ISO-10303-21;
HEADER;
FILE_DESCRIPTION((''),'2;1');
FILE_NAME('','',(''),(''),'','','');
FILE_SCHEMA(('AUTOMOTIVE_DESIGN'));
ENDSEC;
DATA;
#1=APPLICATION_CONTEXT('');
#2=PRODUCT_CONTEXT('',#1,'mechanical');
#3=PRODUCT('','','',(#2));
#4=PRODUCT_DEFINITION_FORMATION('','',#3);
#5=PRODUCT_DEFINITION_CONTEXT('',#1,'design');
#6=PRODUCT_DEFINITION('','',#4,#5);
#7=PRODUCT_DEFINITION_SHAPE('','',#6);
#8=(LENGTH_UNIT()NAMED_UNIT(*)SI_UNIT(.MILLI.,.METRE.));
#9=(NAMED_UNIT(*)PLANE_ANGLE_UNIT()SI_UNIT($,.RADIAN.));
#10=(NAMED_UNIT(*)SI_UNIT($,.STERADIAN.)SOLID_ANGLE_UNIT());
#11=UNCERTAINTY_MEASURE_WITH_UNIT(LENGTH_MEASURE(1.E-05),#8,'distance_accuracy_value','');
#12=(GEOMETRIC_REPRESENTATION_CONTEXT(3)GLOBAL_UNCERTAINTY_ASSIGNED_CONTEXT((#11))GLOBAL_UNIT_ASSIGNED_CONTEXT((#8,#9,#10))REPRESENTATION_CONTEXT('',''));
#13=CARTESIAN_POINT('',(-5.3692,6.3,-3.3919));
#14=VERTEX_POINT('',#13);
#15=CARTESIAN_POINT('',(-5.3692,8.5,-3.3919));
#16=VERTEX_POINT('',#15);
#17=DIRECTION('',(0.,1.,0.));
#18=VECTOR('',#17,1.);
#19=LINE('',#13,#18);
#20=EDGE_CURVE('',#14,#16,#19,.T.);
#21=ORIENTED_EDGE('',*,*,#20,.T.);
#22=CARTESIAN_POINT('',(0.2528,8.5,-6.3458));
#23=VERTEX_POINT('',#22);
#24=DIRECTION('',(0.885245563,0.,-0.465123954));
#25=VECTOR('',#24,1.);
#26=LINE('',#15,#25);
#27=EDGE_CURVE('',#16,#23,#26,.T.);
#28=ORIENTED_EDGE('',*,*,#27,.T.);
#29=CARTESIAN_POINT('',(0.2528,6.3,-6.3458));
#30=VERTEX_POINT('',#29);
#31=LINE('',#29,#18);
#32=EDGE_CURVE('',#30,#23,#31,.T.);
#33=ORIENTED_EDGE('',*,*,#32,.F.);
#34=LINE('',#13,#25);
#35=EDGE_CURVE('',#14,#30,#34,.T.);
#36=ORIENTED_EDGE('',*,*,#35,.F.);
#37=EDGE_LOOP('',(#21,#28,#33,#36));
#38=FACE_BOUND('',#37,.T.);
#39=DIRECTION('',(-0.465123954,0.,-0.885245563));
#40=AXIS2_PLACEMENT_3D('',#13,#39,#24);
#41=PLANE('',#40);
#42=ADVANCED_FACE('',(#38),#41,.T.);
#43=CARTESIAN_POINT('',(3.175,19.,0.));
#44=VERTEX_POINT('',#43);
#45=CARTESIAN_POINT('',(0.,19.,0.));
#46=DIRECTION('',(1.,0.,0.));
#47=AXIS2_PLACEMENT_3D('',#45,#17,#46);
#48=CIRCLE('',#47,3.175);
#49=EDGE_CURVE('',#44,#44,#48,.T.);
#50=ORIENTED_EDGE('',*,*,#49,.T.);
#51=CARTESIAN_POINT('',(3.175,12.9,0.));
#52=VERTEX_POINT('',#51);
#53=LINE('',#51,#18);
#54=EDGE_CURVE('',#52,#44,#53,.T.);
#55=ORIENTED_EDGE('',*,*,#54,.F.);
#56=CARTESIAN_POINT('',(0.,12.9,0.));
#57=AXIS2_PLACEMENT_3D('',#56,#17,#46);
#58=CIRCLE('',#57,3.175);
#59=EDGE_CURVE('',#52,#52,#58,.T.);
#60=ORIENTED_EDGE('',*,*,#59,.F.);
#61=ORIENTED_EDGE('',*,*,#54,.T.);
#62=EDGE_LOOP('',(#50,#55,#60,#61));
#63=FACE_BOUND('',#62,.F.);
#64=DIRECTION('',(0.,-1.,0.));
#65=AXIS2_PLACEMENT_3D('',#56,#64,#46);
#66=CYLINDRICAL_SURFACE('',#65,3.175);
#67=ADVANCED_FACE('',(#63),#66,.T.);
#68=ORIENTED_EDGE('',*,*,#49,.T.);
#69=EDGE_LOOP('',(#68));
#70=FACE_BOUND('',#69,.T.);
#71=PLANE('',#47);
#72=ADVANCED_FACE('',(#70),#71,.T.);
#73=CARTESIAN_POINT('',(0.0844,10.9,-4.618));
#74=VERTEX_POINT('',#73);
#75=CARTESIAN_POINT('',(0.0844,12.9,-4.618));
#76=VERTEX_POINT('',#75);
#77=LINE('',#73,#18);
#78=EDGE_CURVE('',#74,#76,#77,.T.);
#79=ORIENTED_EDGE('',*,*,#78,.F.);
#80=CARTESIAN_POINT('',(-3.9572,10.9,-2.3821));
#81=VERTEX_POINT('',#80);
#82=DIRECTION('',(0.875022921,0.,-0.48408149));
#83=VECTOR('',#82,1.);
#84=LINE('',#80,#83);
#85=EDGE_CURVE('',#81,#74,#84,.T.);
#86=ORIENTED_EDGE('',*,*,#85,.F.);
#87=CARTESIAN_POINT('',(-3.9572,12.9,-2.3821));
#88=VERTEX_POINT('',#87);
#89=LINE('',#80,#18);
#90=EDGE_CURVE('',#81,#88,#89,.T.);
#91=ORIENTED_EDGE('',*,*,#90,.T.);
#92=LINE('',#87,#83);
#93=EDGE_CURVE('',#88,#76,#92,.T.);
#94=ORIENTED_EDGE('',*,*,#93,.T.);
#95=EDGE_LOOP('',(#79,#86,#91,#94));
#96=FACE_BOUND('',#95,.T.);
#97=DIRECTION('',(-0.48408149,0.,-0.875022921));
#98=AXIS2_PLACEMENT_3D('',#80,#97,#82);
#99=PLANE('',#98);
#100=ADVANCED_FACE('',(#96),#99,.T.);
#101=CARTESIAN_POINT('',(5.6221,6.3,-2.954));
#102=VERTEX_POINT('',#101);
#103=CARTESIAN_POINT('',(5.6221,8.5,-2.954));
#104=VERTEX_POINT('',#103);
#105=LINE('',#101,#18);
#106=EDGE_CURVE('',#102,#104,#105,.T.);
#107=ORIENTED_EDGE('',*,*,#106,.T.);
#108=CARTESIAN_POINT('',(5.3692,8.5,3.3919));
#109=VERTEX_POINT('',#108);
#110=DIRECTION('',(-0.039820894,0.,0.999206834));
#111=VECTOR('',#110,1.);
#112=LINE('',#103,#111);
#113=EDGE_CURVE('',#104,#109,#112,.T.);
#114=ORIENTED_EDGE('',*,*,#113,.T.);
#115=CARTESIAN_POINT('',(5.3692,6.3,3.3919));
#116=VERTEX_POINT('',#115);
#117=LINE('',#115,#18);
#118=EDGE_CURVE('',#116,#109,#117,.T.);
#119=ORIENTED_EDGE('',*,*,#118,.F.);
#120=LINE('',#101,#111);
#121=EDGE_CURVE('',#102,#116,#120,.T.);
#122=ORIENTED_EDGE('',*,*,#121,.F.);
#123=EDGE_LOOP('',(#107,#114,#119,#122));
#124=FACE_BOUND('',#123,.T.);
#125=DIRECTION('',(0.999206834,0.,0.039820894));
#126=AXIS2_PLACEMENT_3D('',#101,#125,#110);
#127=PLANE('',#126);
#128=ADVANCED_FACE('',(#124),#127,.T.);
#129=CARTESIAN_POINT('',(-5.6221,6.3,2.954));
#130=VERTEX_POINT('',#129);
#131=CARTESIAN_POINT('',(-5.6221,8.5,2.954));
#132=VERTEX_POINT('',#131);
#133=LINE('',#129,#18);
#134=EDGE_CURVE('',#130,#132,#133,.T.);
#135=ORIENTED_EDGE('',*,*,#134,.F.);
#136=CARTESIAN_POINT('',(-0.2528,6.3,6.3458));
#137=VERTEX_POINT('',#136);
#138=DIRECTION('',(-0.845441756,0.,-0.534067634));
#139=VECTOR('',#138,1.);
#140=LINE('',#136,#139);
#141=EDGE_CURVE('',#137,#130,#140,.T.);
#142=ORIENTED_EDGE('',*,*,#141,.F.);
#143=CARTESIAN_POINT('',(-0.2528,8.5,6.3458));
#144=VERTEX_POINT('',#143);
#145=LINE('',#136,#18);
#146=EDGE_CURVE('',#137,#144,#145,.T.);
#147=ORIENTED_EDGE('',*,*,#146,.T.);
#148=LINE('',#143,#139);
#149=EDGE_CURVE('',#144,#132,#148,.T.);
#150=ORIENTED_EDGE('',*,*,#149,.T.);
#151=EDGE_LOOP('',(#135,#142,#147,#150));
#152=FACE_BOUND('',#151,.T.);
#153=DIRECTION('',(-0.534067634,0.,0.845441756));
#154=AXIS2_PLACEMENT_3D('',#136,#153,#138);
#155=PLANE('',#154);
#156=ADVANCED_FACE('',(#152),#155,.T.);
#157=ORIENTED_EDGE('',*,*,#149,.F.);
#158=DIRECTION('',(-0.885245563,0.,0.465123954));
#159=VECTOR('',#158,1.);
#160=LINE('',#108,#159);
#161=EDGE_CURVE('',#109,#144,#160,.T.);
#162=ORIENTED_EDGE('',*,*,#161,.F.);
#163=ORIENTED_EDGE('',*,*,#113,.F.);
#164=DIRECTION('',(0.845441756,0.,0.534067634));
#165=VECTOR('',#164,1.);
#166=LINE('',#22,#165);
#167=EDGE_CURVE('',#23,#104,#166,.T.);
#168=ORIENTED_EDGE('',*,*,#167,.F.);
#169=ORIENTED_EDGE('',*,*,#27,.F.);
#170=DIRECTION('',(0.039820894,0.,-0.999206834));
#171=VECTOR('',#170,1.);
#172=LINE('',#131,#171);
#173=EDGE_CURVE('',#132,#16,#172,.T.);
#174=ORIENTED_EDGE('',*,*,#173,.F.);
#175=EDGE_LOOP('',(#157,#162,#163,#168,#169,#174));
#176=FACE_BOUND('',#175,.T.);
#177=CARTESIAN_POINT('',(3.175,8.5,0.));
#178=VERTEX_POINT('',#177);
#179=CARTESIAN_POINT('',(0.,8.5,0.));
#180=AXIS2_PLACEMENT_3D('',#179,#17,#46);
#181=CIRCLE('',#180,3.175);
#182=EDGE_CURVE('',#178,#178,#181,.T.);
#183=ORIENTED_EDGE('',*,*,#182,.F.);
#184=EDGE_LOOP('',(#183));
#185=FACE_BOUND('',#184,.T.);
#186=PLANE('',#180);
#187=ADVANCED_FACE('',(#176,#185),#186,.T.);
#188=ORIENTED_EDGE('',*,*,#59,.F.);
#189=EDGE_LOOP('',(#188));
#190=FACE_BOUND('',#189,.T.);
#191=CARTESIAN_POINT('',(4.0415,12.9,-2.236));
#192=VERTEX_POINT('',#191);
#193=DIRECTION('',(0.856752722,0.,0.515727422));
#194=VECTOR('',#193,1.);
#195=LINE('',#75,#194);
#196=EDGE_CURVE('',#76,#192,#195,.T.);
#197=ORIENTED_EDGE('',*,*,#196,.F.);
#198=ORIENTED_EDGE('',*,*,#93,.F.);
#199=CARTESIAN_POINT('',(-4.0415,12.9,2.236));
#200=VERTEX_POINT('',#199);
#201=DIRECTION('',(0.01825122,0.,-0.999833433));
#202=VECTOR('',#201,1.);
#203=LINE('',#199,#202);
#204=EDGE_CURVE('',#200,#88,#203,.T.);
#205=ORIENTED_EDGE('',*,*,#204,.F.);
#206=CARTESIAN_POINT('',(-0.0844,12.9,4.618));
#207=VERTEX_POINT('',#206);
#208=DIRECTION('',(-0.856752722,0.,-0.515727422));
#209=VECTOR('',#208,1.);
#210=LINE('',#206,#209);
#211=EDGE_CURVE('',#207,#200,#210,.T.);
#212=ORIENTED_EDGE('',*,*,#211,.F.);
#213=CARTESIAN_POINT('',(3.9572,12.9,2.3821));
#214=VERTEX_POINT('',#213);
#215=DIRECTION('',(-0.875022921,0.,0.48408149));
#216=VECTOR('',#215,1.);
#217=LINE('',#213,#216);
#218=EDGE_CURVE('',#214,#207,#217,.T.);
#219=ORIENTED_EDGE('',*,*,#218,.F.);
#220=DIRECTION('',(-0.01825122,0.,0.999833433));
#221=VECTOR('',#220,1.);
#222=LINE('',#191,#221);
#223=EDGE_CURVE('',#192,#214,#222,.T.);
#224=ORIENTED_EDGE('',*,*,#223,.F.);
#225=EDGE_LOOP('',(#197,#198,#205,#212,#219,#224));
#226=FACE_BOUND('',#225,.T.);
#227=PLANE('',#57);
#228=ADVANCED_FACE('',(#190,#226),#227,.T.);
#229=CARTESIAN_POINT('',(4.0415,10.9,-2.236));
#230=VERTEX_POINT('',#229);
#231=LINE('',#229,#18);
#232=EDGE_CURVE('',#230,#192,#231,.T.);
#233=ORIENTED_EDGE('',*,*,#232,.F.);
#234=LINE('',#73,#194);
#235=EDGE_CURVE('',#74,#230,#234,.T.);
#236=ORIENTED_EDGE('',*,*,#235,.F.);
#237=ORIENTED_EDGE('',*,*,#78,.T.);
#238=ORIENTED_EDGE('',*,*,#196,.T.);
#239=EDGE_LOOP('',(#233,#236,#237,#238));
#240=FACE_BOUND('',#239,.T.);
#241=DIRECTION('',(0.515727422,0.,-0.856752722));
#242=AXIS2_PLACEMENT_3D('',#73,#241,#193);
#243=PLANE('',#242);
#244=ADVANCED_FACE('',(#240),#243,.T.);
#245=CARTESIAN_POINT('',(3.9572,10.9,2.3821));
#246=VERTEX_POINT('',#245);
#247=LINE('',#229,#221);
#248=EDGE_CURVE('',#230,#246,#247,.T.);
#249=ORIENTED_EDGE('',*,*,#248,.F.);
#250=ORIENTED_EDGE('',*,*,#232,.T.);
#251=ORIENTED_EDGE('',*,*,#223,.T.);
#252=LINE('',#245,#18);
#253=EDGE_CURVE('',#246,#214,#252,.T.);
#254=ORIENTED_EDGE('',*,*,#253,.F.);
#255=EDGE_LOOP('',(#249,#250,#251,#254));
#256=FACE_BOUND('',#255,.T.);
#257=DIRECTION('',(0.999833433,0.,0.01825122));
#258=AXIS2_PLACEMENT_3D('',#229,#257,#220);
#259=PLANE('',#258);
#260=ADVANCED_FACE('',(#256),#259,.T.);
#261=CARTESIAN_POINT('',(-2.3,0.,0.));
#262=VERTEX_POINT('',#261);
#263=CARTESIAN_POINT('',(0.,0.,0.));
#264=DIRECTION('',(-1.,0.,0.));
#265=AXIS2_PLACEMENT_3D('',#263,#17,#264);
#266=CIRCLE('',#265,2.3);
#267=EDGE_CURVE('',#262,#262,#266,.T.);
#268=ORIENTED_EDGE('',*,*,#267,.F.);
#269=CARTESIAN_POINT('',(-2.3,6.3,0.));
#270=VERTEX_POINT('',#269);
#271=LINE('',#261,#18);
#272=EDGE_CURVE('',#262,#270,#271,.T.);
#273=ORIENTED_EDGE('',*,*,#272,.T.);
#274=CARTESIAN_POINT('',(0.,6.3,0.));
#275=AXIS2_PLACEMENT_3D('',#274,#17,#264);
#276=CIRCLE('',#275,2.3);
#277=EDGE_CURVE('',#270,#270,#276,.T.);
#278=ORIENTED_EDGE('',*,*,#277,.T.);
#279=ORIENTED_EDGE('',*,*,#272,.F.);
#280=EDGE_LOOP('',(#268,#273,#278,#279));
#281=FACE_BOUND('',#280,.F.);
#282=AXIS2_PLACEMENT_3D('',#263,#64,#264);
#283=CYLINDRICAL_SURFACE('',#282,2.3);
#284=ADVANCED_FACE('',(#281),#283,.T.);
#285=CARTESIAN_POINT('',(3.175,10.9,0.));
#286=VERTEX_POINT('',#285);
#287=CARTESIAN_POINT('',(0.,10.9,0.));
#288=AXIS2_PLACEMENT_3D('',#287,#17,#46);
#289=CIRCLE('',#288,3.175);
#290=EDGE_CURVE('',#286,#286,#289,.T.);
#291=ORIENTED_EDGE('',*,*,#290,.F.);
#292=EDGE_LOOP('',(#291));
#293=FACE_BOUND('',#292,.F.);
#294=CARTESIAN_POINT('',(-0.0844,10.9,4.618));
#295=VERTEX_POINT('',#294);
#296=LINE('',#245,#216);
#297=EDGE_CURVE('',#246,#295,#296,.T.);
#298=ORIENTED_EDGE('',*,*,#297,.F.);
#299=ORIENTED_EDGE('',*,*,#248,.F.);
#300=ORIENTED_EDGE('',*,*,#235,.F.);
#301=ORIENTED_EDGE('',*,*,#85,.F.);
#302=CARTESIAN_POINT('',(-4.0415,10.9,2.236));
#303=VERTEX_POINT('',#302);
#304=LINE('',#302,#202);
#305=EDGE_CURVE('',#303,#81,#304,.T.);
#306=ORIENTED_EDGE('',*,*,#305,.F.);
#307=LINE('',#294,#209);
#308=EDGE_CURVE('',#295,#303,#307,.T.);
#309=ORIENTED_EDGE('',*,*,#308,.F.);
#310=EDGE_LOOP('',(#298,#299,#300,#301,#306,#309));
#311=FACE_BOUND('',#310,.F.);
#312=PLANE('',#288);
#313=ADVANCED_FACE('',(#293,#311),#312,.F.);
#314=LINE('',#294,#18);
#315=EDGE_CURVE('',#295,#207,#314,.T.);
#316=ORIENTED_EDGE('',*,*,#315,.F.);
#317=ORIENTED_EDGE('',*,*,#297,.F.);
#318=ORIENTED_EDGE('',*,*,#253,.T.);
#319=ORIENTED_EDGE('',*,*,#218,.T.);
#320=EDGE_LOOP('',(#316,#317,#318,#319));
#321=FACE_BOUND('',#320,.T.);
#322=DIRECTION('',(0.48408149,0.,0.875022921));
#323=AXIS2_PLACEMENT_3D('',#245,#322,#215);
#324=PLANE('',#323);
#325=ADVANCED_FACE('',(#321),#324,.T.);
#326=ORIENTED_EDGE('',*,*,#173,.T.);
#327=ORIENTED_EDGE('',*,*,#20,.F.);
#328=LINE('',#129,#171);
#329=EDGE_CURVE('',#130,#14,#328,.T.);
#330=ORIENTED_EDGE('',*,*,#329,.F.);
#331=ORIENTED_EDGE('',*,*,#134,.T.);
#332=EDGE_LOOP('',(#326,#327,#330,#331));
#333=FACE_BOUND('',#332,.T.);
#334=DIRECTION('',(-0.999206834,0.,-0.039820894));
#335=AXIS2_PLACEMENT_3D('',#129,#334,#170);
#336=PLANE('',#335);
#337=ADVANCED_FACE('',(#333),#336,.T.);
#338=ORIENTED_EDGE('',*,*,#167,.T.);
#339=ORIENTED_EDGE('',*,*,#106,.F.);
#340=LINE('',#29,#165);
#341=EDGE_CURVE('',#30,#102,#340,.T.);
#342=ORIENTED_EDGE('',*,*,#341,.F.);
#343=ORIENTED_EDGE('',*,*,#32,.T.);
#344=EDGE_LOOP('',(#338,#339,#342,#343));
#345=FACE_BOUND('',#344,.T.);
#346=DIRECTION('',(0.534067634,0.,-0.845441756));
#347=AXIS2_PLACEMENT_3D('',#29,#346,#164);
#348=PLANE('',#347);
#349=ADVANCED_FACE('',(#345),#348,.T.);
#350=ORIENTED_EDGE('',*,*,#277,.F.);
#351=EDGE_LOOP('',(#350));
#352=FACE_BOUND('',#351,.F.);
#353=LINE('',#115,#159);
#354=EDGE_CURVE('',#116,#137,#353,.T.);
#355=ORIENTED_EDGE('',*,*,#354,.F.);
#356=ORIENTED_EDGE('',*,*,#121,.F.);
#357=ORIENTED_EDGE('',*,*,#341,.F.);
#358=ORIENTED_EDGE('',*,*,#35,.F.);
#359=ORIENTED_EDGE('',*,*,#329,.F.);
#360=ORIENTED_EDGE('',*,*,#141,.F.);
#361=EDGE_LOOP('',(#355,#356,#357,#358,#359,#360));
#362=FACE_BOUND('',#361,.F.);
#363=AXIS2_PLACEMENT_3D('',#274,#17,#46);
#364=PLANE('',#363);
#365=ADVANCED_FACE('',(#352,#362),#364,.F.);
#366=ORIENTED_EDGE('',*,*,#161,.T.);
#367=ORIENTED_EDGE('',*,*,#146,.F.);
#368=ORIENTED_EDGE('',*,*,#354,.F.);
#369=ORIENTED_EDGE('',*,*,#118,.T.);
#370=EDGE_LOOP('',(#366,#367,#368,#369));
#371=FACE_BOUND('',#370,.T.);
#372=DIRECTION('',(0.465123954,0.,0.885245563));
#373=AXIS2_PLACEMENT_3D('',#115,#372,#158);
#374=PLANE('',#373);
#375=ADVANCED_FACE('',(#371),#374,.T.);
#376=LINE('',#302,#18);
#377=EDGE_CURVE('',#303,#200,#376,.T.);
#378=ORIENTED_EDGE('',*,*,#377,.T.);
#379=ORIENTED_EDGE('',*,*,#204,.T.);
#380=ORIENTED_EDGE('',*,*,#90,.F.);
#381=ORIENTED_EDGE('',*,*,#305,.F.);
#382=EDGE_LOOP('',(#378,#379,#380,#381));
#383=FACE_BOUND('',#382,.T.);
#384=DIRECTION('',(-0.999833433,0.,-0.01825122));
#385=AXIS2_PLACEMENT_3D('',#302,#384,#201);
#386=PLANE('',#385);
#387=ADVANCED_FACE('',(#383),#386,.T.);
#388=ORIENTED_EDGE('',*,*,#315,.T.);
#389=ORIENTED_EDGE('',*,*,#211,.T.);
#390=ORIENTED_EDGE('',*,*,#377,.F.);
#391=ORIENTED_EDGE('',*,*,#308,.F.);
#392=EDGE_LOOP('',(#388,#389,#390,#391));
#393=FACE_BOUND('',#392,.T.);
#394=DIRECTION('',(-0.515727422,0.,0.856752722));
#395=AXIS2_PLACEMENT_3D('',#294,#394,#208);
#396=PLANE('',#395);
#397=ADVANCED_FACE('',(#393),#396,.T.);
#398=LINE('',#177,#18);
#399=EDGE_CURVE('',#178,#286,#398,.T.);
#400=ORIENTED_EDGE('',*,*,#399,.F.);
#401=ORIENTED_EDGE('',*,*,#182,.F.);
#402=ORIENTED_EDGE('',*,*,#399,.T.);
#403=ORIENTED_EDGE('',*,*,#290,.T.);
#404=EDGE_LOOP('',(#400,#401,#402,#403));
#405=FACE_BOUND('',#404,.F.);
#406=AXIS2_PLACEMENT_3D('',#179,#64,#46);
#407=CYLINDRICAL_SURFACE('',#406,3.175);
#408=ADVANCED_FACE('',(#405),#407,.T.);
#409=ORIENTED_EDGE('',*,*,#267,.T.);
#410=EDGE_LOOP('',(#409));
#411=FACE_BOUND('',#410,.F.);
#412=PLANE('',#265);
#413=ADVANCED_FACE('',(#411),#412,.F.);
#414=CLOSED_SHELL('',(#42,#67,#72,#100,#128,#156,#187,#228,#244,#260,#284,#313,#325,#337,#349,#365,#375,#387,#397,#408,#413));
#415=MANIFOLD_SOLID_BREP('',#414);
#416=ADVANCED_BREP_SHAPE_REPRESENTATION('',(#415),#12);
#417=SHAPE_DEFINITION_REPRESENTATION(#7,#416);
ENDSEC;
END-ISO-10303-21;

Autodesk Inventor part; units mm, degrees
ref_plane "YZ Plane" through (0, 0, 0) normal (1, 0, 0) x (0, 1, 0)
ref_plane "XZ Plane" through (0, 0, 0) normal (0, 1, 0) x (-1, 0, 0)
ref_plane "XY Plane" through (0, 0, 0) normal (0, 0, 1) x (1, 0, 0)
sketch "Sketch1" plane through (0, 0, 0) normal (0, 1, 0) x (-1, 0, 0)
  circle A0 centre (0, 0) radius 2.3
  dimension "d0" = 4.6
extrude "Extrusion1" add sketch "Sketch1" along normal blind 6.3
sketch "Sketch2" plane through (0, 6.3, 0) normal (0, 1, 0) x (1, 0, 0)
  circle A0 centre (0, 0) radius 2.3 projected
  line L0 (5.6221, 2.954) -> (5.3692, -3.3919)
  line L1 (5.3692, -3.3919) -> (-0.2528, -6.3458)
  line L2 (-0.2528, -6.3458) -> (-5.6221, -2.954)
  line L3 (-5.6221, -2.954) -> (-5.3692, 3.3919)
  line L4 (-5.3692, 3.3919) -> (0.2528, 6.3458)
  line L5 (0.2528, 6.3458) -> (5.6221, 2.954)
  dimension "d10" = 11
extrude "Extrusion2" add sketch "Sketch2" along normal blind 2.2 contours A0 | L0 L1 L2 L3 L4 L5
sketch "Sketch3" plane through (0, 8.5, 0) normal (0, 1, 0) x (1, 0, 0)
  circle A0 centre (0, 0) radius 3.175
  dimension "d6" = 6.35
extrude "Extrusion3" add sketch "Sketch3" along normal blind 2.4
sketch "Sketch4" plane through (0, 10.9, 0) normal (0, 1, 0) x (1, 0, 0)
  circle A0 centre (0, 0) radius 3.175 projected
  line L0 (4.0415, 2.236) -> (3.9572, -2.3821)
  line L1 (3.9572, -2.3821) -> (-0.0844, -4.618)
  line L2 (-0.0844, -4.618) -> (-4.0415, -2.236)
  line L3 (-4.0415, -2.236) -> (-3.9572, 2.3821)
  line L4 (-3.9572, 2.3821) -> (0.0844, 4.618)
  line L5 (0.0844, 4.618) -> (4.0415, 2.236)
  dimension "d9" = 8
extrude "Extrusion4" add sketch "Sketch4" along normal blind 2 contours A0 | L0 L1 L2 L3 L4 L5
sketch "Sketch5" plane through (0, 12.9, 0) normal (0, 1, 0) x (1, 0, 0)
  circle A0 centre (0, 0) radius 3.175
  dimension "d13" = 6.35
extrude "Extrusion5" add sketch "Sketch5" along normal blind 6.1
properties part number "SMA_Bulkhead"
